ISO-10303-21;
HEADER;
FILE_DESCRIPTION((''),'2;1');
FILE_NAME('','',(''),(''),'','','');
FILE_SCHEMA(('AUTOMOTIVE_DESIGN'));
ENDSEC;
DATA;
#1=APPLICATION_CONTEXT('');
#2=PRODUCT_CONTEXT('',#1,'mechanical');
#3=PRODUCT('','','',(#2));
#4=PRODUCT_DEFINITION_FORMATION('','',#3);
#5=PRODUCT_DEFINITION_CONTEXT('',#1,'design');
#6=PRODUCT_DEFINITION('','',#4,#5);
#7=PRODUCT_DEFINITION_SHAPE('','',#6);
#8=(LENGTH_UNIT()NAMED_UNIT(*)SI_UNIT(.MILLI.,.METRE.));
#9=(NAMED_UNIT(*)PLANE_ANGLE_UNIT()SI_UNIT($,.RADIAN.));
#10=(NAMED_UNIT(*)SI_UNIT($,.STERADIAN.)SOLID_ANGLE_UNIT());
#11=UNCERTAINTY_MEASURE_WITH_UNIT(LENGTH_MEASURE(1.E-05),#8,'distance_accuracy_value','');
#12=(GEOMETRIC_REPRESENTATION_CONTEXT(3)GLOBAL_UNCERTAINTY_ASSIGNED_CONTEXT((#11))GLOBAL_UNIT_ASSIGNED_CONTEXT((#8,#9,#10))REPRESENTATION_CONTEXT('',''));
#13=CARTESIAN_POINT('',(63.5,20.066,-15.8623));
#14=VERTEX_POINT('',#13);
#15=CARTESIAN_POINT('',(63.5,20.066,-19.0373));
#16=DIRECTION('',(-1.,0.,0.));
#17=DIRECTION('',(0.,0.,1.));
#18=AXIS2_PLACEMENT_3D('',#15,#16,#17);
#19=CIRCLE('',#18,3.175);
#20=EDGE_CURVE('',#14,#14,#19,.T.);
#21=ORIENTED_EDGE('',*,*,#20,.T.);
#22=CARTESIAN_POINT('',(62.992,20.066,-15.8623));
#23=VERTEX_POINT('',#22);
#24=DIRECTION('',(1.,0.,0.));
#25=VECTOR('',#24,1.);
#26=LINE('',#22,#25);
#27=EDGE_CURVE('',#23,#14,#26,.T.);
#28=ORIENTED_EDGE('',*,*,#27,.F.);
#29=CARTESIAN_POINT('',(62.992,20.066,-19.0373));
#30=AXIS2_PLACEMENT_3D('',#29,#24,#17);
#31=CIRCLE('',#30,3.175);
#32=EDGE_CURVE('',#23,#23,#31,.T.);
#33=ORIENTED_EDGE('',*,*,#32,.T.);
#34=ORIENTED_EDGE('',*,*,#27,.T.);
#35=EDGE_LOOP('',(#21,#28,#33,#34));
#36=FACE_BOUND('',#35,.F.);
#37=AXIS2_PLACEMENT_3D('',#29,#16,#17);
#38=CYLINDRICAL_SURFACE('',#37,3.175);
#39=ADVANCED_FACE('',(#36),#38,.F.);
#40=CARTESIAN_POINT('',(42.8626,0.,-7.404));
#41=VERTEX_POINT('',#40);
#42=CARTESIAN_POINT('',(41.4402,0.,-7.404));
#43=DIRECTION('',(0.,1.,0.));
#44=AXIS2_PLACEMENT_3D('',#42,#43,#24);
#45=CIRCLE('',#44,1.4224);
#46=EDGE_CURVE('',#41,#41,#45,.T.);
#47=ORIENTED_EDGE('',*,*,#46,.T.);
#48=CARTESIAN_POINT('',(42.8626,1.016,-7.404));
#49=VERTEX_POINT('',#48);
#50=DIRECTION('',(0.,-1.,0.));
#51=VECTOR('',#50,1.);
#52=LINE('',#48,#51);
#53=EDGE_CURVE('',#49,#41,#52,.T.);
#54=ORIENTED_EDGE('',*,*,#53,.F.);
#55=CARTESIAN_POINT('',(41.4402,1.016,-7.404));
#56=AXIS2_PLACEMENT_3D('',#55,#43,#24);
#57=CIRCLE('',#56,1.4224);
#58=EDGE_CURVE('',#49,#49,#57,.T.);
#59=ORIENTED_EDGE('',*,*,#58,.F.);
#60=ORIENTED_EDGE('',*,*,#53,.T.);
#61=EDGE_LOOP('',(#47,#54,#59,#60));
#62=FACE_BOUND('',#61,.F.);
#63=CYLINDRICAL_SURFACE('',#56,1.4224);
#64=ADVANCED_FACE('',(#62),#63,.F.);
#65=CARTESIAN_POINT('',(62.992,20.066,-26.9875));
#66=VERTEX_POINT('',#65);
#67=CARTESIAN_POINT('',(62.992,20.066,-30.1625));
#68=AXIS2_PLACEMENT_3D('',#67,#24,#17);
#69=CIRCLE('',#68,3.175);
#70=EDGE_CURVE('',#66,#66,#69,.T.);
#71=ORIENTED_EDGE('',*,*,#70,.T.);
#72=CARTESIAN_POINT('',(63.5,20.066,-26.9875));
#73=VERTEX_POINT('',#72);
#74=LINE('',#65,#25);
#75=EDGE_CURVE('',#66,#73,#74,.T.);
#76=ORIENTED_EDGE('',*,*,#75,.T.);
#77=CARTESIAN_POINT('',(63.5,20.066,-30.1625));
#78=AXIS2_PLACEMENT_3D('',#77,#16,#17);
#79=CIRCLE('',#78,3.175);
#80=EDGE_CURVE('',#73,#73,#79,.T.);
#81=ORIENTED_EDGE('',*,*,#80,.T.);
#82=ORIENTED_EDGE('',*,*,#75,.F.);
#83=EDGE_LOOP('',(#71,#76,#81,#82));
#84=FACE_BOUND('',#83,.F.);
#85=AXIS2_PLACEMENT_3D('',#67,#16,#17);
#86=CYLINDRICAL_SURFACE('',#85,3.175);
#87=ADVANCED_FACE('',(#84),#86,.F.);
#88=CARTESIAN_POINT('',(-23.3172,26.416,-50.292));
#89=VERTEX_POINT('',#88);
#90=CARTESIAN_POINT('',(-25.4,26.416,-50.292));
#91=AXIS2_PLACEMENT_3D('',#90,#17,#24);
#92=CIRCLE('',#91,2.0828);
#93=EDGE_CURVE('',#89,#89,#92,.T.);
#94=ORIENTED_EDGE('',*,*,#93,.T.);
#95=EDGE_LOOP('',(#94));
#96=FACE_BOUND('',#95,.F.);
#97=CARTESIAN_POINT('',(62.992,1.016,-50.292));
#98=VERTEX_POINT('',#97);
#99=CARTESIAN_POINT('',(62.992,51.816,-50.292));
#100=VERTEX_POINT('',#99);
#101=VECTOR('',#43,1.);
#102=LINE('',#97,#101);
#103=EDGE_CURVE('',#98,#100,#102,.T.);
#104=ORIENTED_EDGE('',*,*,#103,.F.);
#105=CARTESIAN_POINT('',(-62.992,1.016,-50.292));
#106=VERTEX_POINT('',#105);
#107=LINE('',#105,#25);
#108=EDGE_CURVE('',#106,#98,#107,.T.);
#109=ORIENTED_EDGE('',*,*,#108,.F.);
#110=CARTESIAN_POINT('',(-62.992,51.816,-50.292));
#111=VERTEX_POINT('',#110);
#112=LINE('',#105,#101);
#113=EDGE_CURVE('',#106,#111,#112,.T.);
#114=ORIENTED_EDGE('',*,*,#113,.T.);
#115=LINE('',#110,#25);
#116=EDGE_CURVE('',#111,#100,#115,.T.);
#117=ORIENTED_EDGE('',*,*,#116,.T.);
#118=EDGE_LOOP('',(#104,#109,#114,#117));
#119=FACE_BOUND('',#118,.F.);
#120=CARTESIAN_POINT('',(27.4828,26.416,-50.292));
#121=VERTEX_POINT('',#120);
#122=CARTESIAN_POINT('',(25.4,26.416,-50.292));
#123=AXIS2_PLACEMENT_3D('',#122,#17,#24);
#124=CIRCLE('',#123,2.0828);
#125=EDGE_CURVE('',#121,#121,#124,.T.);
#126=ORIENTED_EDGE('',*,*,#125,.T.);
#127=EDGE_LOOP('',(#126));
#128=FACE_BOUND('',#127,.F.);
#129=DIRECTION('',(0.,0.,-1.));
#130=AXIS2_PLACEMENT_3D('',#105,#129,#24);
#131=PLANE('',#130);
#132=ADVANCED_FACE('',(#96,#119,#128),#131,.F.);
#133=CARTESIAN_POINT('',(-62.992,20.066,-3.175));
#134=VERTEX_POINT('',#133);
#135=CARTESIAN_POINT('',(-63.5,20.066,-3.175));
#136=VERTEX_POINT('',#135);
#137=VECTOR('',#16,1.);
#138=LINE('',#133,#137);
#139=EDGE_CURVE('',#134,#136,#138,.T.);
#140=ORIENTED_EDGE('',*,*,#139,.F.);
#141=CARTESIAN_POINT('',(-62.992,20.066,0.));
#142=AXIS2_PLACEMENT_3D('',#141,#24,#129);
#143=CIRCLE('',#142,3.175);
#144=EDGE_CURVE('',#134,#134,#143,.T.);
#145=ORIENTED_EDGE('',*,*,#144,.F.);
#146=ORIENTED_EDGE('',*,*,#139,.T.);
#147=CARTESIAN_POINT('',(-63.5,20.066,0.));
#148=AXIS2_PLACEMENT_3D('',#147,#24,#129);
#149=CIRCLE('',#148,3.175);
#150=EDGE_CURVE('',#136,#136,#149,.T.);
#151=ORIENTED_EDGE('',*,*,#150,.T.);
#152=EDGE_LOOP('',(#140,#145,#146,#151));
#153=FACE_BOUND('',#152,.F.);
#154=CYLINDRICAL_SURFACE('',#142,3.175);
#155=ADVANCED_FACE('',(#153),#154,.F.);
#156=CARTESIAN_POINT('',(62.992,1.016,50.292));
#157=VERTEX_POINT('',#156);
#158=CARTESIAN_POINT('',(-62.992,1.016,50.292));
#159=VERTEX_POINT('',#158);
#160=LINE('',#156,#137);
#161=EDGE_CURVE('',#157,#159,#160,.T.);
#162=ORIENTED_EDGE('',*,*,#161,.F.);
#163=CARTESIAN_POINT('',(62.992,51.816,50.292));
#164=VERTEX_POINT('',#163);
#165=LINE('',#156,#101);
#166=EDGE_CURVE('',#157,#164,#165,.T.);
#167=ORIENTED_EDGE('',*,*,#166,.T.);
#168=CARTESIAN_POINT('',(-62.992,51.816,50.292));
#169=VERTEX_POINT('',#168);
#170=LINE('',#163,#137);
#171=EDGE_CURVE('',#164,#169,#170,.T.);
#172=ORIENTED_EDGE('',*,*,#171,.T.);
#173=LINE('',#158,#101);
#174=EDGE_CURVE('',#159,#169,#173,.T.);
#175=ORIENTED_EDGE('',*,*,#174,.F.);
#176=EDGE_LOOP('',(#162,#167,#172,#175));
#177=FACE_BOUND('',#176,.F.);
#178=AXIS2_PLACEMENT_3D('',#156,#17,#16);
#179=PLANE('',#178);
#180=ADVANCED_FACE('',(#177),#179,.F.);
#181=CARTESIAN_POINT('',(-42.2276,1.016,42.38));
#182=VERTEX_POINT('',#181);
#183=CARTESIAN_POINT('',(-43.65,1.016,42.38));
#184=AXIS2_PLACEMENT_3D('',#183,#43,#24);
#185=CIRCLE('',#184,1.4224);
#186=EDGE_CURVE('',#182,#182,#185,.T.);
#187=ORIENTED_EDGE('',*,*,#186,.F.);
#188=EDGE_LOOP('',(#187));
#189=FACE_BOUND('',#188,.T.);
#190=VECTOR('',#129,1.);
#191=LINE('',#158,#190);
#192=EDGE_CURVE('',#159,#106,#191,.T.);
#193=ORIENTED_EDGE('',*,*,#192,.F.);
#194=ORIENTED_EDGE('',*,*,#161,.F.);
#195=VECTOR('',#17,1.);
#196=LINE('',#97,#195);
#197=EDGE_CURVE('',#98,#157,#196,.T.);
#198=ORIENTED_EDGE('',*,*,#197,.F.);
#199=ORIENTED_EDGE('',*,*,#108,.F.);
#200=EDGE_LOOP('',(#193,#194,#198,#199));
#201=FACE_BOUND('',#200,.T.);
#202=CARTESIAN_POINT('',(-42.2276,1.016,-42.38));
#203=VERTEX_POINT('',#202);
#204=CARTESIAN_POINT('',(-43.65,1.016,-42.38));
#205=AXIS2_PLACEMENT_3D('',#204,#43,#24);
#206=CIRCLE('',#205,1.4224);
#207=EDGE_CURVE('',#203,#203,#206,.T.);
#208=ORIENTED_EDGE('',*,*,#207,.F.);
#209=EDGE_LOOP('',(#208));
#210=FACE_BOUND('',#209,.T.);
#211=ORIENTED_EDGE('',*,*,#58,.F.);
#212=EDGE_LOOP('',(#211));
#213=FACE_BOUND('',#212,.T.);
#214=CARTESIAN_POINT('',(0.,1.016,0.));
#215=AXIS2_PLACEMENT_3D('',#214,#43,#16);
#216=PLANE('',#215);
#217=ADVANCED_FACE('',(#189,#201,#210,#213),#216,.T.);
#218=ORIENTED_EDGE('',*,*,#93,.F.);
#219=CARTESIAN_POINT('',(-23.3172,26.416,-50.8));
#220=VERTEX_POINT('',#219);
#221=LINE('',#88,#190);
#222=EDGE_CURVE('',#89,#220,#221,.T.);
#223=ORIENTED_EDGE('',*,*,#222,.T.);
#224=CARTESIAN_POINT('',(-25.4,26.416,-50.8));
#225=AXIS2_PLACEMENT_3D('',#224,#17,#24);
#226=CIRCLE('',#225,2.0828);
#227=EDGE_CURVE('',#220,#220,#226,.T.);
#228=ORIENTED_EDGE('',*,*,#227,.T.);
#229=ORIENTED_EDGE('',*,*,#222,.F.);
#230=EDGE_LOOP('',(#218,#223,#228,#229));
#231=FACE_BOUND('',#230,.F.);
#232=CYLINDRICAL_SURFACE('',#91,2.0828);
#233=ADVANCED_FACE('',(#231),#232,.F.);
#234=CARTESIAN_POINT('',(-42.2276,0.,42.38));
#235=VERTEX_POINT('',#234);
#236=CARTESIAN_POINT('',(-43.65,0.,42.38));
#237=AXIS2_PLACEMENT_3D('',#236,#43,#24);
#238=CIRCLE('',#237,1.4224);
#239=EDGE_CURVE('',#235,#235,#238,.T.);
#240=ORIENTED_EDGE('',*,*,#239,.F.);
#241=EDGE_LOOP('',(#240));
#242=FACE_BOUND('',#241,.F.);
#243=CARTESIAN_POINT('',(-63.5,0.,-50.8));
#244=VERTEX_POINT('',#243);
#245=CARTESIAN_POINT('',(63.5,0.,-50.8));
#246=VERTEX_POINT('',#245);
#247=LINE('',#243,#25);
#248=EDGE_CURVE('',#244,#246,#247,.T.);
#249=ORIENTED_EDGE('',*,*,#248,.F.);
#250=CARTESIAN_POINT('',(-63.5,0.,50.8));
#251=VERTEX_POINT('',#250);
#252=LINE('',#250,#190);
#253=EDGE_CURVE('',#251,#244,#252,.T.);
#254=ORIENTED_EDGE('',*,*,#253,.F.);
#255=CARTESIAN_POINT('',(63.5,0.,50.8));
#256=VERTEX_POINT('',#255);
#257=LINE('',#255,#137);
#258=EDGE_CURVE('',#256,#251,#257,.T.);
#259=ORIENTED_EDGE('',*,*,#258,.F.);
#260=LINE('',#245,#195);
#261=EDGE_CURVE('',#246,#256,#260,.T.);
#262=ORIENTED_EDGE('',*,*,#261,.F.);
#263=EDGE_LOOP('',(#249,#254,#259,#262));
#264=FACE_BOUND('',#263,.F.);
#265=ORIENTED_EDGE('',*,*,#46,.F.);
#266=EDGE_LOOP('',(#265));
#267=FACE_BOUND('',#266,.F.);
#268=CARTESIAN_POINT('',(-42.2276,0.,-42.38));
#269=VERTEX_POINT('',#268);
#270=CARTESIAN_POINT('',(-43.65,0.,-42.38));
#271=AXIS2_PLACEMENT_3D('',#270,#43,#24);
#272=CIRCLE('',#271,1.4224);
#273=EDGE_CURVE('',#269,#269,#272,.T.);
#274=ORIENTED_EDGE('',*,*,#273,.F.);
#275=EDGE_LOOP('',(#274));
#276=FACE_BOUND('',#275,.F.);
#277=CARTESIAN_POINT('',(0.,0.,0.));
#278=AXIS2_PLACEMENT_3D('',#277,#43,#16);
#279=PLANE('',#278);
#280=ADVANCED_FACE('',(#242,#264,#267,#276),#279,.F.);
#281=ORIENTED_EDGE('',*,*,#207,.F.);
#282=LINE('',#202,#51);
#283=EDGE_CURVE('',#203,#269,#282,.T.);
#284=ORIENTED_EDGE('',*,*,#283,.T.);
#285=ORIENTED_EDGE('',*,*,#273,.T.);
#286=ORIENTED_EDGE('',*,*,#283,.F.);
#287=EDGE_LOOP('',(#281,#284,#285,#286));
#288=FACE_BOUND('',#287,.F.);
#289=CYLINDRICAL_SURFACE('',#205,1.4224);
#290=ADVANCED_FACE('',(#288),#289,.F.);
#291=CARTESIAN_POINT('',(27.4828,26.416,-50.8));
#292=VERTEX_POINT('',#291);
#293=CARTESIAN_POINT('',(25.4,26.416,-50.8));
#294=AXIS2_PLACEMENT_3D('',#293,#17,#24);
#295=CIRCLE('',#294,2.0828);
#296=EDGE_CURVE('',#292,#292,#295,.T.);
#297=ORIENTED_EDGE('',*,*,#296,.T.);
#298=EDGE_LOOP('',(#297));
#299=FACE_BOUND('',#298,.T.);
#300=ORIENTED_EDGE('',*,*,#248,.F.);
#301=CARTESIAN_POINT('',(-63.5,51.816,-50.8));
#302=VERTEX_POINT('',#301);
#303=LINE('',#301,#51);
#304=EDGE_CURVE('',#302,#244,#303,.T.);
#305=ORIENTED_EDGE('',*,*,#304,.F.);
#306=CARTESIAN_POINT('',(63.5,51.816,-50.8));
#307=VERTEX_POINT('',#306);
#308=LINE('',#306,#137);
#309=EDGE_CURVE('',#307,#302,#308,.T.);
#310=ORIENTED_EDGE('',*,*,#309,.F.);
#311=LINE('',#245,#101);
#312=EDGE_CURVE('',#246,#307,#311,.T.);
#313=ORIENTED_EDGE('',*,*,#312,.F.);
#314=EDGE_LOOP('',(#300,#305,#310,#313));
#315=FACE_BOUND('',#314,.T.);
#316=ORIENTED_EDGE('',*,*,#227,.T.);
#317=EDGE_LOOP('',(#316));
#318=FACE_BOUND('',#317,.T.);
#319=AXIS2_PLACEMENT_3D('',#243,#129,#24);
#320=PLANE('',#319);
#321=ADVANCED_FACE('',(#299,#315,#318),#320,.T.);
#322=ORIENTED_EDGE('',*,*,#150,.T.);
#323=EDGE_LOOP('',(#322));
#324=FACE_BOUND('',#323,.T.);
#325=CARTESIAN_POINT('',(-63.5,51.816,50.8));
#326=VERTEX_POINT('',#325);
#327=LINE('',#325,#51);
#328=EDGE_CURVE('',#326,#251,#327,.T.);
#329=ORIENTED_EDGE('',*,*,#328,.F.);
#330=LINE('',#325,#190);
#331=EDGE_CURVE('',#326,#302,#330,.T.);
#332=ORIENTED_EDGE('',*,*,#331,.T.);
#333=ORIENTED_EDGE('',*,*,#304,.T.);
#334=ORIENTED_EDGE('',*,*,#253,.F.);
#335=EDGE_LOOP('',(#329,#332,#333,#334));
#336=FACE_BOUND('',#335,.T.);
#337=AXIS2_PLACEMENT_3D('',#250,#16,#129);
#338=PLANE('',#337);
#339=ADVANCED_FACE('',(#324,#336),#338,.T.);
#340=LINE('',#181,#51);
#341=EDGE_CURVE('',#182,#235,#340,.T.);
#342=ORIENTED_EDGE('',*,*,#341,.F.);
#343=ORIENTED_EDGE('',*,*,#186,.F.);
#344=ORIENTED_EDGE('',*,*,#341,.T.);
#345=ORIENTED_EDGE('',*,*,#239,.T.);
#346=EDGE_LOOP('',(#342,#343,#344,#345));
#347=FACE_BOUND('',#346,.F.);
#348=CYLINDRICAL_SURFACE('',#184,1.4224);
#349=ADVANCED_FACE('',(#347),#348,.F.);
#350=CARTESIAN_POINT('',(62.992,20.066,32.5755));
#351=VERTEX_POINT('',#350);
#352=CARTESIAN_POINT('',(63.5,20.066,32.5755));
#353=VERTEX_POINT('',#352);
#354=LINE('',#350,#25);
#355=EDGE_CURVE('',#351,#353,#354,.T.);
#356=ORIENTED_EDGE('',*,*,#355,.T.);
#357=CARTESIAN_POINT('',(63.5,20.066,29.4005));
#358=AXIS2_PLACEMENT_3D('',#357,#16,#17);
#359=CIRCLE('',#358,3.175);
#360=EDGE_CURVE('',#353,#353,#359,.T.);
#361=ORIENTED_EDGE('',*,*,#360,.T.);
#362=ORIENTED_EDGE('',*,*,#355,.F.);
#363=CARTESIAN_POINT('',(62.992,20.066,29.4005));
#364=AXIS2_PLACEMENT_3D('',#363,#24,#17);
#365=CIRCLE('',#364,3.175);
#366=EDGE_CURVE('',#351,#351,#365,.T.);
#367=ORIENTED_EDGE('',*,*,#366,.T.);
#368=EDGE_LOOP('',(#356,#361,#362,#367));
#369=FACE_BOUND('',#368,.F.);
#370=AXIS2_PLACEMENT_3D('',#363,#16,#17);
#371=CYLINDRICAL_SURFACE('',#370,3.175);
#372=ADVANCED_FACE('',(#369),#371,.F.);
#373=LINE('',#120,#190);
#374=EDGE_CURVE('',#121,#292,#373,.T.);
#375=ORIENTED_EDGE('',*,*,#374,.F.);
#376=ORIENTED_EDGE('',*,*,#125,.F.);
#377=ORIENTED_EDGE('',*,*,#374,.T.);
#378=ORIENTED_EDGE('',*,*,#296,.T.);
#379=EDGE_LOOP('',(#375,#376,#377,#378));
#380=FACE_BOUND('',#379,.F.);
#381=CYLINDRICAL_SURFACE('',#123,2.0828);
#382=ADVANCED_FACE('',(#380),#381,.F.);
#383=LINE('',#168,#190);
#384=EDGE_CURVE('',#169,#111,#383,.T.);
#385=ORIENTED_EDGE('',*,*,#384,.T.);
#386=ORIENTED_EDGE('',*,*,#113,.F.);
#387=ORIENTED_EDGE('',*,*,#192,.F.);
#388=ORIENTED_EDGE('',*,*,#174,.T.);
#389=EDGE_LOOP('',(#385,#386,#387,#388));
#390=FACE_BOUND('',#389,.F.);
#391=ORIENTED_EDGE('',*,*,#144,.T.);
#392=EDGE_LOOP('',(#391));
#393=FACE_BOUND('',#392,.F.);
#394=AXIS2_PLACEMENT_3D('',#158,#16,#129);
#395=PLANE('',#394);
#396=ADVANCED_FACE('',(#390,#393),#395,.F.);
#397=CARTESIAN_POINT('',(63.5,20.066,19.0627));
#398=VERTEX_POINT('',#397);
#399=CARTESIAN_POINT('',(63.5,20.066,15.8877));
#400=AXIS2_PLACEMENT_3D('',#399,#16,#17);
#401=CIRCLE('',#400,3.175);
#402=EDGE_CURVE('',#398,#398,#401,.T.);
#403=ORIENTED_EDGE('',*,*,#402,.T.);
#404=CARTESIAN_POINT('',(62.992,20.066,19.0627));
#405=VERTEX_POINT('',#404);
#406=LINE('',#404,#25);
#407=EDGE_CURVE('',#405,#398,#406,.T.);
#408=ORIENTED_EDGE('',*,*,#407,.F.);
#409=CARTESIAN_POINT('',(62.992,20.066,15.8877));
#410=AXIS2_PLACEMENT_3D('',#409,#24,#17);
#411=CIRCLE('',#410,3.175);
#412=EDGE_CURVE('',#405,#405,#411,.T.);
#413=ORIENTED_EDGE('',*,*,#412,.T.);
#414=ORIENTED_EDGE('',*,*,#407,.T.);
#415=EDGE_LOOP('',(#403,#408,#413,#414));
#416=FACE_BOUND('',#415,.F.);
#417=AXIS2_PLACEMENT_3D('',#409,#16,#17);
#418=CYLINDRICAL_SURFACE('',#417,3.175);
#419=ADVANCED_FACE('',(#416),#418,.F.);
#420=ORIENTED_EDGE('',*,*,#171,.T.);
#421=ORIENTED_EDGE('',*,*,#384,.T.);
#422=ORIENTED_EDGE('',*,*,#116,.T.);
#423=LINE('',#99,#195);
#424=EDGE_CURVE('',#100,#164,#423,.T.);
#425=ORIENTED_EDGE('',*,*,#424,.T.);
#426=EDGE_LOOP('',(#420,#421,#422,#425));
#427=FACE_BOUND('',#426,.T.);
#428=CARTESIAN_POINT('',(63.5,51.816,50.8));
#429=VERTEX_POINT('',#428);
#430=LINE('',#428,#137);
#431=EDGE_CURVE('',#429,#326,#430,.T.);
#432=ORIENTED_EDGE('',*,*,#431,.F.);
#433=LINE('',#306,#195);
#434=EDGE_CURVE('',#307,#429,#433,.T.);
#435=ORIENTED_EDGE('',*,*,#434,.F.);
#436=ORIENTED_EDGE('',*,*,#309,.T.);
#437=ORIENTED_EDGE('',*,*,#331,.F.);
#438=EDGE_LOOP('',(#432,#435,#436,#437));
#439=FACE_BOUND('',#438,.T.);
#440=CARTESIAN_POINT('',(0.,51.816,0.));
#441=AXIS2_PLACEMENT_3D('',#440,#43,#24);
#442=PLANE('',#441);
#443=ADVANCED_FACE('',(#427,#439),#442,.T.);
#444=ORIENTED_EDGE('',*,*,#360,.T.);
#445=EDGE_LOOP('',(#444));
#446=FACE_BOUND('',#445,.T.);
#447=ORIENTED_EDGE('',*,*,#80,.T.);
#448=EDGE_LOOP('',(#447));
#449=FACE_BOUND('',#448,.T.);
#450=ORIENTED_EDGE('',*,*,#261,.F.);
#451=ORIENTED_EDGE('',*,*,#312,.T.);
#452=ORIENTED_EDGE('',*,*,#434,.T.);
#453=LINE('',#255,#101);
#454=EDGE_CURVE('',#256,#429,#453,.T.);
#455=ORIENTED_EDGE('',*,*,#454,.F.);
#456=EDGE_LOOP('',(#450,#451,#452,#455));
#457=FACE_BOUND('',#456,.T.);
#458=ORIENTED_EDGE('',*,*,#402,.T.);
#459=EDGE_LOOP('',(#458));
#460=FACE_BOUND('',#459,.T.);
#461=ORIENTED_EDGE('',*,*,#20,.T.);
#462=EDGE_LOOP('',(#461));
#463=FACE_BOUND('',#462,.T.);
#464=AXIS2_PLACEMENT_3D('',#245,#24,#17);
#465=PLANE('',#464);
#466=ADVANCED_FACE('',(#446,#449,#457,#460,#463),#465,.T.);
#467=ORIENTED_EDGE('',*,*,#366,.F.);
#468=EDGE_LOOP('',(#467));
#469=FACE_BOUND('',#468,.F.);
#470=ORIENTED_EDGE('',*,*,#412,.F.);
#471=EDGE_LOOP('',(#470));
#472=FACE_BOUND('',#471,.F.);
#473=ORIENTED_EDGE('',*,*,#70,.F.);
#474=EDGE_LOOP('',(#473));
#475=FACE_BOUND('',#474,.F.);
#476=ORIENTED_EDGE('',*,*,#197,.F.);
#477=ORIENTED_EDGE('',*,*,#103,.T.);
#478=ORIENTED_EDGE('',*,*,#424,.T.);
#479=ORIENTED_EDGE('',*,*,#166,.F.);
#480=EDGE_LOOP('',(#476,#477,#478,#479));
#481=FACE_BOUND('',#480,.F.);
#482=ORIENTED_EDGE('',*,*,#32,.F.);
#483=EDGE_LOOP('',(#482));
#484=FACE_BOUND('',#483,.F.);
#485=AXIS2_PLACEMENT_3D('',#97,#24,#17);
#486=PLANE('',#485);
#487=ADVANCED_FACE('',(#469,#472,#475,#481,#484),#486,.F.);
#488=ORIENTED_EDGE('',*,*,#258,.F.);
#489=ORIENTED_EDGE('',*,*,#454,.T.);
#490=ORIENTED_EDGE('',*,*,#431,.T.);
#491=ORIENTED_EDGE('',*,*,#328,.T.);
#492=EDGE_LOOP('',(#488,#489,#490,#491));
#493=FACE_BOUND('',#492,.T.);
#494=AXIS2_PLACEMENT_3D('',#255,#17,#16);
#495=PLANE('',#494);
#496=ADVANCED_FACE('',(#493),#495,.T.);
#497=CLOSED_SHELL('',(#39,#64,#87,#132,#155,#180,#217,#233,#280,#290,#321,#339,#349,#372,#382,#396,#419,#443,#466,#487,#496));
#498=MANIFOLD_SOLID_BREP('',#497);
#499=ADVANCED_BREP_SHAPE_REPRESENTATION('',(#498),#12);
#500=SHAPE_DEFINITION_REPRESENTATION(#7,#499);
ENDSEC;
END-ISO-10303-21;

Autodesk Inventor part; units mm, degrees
ref_plane "YZ Plane" through (0, 0, 0) normal (1, 0, 0) x (0, 1, 0)
ref_plane "XZ Plane" through (0, 0, 0) normal (0, 1, 0) x (-1, 0, 0)
ref_plane "XY Plane" through (0, 0, 0) normal (0, 0, 1) x (1, 0, 0)
sketch "Sketch1" plane through (0, 0, 0) normal (0, 1, 0) x (-1, 0, 0)
  line L0 (-63.5, 50.8) -> (63.5, 50.8)
  line L1 (63.5, 50.8) -> (63.5, -50.8)
  line L2 (63.5, -50.8) -> (-63.5, -50.8)
  line L3 (-63.5, -50.8) -> (-63.5, 50.8)
  line L4 (-63.5, 50.8) -> (63.5, -50.8) construction
  line L5 (63.5, 50.8) -> (-63.5, -50.8) construction
  point P0 (0, 0)
  dimension "d0" = 127
  dimension "d1" = 101.6
extrude "Extrusion1" add sketch "Sketch1" along normal blind 1.016
sketch "Sketch2" plane through (0, 1.016, 0) normal (0, 1, 0) x (1, 0, 0)
  line L0 (63.5, 50.8) -> (-63.5, 50.8) projected
  line L1 (63.5, -50.8) -> (-63.5, -50.8)
  line L2 (-63.5, -50.8) -> (-63.5, 50.8)
  line L3 (-63.5, 50.8) -> (63.5, 50.8)
  line L4 (63.5, 50.8) -> (63.5, -50.8)
  line L5 (63.5, -50.8) -> (-63.5, 50.8) construction
  line L6 (-63.5, -50.8) -> (63.5, 50.8) construction
  line L7 (62.992, -50.292) -> (-62.992, -50.292)
  line L8 (-62.992, -50.292) -> (-62.992, 50.292)
  line L9 (-62.992, 50.292) -> (62.992, 50.292)
  line L10 (62.992, 50.292) -> (62.992, -50.292)
  line L11 (62.992, -50.292) -> (-62.992, 50.292) construction
  line L12 (-62.992, -50.292) -> (62.992, 50.292) construction
  point P0 (0, 0)
  dimension "d4" = 125.984
  dimension "d5" = 100.584
extrude "Extrusion2" add sketch "Sketch2" along normal blind 50.8
sketch "Sketch3" plane through (-62.992, 1.016, -50.292) normal (0, 0, 1) x (1, 0, 0)
  line L0 (0, 0) -> (0, 50.8) projected
  circle A0 centre (37.592, 25.4) radius 2.0828
  circle A1 centre (88.392, 25.4) radius 2.0828
  point P0 (62.992, -1.016)
  dimension "d10" = 4.1656
  dimension "d12" = 4.1656
extrude "Extrusion3" cut sketch "Sketch3" against normal through all
sketch "Sketch4" plane through (0, 1.016, 0) normal (0, 1, 0) x (1, 0, 0)
  line L0 (50, -50) -> (-50, 50) construction
  line L1 (-50, -50) -> (50, 50) construction
  circle A0 centre (-43.65, -42.38) radius 1.4224
  circle A1 centre (-43.65, 42.38) radius 1.4224
  circle A2 centre (41.4402, 7.404) radius 1.4224
  point P0 (0, 0)
  dimension "d15" = 100
  dimension "d16" = 100
  dimension "d23" = 2.8448
  dimension "d24" = 2.8448
  dimension "d25" = 2.8448
extrude "Extrusion4" cut sketch "Sketch4" against normal through all
sketch "Sketch5" plane through (-62.992, 1.016, 50.292) normal (1, 0, 0) x (0, 0, -1)
  circle A0 centre (50.292, 19.05) radius 3.175
  point P0 (50.292, -1.016)
  dimension "d28" = 6.35
extrude "Extrusion5" cut sketch "Sketch5" against normal through all
sketch "Sketch6" plane through (62.992, 1.016, -50.292) normal (-1, 0, 0) x (0, 0, 1)
  line L0 (0, 0) -> (0, 50.8) projected
  line L1 (0, 19.05) -> (0.2921, 19.05)
  line L2 (0, 19.05) -> (0.2921, 19.05) construction
  line L3 (0.2921, 19.05) -> (20.1295, 19.05)
  line L4 (20.1295, 19.05) -> (31.2547, 19.05)
  line L5 (20.1295, 19.05) -> (31.2547, 19.05) construction
  line L6 (31.2547, 19.05) -> (66.1797, 19.05)
  line L7 (31.2547, 19.05) -> (66.1797, 19.05) construction
  line L8 (66.1797, 19.05) -> (79.6925, 19.05)
  line L9 (66.1797, 19.05) -> (79.6925, 19.05) construction
  circle A0 centre (20.1295, 19.05) radius 3.175
  circle A1 centre (31.2547, 19.05) radius 3.175
  circle A2 centre (66.1797, 19.05) radius 3.175
  circle A3 centre (79.6925, 19.05) radius 3.175
  point P0 (50.292, -1.016)
  dimension "d31" = 0.2921
  dimension "d32" = 0
  dimension "d33" = 19.8374
  dimension "d34" = 11.1252
  dimension "d35" = 0
  dimension "d36" = 34.925
  dimension "d37" = 0
  dimension "d38" = 13.5128
  dimension "d39" = 0
  dimension "d40" = 6.35
  dimension "d41" = 6.35
  dimension "d42" = 6.35
  dimension "d43" = 6.35
extrude "Extrusion6" cut sketch "Sketch6" against normal through all
equation "\"d29\" = d25"
properties part number "563-AC-1404-4xSplitter"
